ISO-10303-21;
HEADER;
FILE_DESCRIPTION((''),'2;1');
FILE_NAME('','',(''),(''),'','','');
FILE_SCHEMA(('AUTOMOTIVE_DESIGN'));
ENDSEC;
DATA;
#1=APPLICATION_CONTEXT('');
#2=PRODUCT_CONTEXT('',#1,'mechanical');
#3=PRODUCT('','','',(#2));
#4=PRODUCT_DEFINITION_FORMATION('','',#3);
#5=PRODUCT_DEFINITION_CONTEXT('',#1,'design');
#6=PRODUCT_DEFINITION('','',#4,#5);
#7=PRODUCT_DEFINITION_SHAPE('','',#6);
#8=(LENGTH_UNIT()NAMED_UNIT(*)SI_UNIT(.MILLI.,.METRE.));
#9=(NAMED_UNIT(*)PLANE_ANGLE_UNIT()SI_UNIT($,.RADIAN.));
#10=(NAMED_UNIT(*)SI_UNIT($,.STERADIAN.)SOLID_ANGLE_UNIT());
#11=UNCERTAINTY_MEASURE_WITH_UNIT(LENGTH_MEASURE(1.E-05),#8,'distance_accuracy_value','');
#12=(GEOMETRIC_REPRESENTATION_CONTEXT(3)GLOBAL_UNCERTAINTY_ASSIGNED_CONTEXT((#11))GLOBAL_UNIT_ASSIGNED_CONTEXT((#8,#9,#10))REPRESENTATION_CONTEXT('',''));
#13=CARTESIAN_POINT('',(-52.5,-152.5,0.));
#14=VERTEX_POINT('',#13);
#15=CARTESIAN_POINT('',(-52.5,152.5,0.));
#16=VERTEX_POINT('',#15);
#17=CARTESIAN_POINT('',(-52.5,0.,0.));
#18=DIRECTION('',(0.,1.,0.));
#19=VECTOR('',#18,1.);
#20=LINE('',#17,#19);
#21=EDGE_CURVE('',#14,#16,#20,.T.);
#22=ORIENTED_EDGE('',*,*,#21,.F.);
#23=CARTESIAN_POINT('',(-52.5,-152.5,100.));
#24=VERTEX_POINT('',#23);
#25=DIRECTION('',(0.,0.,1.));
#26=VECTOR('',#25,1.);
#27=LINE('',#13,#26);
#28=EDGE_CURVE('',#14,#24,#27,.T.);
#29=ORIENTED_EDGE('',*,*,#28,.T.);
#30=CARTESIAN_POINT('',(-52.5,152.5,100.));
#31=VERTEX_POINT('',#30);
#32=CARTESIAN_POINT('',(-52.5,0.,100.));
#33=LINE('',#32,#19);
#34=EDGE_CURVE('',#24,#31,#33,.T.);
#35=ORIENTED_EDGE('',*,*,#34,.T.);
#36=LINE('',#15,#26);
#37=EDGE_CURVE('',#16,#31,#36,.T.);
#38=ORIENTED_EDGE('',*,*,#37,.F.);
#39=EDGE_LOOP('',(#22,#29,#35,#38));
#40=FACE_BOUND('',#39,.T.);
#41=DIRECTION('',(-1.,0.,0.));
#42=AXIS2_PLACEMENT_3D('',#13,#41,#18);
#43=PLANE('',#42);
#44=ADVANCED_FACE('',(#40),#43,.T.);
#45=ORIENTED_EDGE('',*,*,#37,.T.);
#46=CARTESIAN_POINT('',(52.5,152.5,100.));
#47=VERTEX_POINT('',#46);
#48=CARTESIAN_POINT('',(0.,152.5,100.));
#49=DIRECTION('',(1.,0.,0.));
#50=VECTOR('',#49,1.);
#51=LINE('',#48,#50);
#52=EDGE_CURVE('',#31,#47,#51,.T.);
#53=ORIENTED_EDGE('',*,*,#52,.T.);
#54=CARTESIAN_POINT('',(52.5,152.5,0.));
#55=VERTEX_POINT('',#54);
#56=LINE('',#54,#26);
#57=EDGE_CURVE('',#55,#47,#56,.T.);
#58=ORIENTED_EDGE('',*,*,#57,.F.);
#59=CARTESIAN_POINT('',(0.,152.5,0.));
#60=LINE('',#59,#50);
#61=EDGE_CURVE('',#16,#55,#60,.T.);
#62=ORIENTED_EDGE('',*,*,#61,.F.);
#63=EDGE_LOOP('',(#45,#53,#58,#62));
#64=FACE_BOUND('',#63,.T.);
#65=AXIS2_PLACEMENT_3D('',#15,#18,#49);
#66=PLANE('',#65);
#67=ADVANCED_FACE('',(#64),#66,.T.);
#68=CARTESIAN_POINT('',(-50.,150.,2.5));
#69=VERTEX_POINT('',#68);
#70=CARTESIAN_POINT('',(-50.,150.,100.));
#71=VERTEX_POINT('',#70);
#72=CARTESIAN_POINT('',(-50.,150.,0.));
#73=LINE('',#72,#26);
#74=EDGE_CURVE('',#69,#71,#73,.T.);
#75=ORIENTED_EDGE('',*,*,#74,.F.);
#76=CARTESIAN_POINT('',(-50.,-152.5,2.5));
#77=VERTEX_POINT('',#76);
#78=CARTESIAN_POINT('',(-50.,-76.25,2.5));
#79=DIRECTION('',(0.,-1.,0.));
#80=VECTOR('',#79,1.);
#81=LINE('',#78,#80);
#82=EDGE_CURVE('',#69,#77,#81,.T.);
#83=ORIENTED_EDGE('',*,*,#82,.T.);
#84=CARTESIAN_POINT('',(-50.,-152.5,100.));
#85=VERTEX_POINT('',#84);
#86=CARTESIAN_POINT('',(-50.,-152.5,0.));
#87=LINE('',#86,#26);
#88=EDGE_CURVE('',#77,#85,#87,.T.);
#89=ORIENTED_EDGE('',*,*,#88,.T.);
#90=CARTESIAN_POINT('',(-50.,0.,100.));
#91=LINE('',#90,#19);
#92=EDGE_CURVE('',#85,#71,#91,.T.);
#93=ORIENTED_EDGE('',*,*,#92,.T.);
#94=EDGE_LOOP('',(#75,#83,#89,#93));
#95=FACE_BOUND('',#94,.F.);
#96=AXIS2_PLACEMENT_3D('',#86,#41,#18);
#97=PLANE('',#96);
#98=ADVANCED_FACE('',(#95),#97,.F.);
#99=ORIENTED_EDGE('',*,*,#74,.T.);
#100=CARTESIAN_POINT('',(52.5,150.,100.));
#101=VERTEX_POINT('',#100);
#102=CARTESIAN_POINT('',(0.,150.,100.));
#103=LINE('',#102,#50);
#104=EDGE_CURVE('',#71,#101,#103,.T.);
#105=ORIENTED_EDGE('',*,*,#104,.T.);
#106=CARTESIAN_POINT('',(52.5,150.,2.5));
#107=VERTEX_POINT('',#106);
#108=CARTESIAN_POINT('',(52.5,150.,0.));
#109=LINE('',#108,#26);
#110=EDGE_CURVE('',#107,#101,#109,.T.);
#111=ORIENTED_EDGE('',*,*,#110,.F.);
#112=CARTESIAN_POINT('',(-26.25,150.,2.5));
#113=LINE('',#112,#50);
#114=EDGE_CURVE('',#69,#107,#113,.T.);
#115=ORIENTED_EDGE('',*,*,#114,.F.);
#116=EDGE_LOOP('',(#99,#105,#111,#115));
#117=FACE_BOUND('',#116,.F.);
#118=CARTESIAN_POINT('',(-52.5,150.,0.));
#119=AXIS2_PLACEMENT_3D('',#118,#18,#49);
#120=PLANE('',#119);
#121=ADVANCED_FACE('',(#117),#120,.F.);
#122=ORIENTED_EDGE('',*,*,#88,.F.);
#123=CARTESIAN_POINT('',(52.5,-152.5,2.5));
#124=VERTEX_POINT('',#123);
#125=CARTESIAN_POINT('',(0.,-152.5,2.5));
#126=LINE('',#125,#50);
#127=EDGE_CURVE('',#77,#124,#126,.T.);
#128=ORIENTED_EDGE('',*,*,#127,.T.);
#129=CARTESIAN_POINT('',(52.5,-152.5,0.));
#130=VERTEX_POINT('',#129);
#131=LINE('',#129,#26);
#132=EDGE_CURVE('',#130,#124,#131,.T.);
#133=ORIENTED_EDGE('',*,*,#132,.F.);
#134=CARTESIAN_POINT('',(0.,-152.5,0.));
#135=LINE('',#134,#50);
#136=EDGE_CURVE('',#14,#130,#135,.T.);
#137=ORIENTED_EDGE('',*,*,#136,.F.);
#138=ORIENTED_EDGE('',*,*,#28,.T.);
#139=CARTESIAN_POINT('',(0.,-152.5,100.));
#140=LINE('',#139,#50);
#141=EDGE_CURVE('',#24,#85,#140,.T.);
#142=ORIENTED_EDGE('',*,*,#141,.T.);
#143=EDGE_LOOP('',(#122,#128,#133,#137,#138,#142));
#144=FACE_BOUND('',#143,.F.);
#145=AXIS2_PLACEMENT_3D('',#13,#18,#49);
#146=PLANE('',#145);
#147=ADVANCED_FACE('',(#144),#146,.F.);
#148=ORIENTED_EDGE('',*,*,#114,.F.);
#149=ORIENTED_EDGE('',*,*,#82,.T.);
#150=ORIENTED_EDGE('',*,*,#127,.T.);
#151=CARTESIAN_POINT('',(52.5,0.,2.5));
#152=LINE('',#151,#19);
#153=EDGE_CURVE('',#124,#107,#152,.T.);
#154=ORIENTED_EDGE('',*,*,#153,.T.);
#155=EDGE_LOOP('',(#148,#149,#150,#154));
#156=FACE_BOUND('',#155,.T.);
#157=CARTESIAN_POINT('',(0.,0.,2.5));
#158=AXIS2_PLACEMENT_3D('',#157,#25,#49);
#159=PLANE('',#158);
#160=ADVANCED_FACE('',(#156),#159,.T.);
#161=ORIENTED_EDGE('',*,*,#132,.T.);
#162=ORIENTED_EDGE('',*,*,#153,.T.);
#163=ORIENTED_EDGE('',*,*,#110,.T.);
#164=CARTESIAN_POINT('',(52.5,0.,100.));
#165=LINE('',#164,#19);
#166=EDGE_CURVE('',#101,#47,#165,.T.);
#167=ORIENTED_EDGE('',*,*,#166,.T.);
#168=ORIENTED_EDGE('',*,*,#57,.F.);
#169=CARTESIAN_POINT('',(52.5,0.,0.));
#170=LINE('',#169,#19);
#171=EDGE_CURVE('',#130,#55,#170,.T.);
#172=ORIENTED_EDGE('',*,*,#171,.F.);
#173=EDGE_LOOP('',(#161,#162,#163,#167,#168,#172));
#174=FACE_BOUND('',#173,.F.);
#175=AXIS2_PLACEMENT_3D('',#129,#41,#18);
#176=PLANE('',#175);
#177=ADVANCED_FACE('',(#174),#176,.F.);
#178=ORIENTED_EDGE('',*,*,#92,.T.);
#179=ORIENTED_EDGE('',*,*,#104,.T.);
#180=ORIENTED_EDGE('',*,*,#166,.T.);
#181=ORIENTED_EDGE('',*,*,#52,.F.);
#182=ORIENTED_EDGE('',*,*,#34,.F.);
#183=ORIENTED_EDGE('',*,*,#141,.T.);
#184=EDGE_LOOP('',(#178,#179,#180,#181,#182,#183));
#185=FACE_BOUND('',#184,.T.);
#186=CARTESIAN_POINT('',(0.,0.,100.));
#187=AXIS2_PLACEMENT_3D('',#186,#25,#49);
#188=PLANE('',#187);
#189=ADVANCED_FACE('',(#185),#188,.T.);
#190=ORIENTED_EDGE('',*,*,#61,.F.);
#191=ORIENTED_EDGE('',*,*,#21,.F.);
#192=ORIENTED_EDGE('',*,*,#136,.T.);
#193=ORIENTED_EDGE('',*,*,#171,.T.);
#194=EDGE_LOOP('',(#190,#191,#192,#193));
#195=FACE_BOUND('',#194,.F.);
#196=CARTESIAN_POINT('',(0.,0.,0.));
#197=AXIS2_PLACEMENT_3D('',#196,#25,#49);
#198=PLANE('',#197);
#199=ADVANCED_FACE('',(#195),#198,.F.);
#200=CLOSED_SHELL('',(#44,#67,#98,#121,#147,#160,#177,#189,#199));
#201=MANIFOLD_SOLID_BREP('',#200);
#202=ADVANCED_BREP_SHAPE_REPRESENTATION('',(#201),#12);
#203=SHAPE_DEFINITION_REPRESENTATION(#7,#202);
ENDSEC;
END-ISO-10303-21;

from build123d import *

# Parameters (mm, degrees)
F0_W     = 105
F0_H     = 305
F1_DEPTH = 100
F2_T     = -2.5


with BuildPart() as f1:
    # F0 (on Top) → F1 (new body)
    with BuildSketch(Plane.XY):
        Rectangle(F0_W, F0_H)
    extrude(amount=F1_DEPTH)

    # F2
    f2_openings = [f1.faces().sort_by_distance(p)[0] for p in [
        (0, 0, 100),
        (52.5, 0, 50),
        (0, -152.5, 50),
    ]]
    offset(amount=F2_T, openings=f2_openings)


solid = f1.part
